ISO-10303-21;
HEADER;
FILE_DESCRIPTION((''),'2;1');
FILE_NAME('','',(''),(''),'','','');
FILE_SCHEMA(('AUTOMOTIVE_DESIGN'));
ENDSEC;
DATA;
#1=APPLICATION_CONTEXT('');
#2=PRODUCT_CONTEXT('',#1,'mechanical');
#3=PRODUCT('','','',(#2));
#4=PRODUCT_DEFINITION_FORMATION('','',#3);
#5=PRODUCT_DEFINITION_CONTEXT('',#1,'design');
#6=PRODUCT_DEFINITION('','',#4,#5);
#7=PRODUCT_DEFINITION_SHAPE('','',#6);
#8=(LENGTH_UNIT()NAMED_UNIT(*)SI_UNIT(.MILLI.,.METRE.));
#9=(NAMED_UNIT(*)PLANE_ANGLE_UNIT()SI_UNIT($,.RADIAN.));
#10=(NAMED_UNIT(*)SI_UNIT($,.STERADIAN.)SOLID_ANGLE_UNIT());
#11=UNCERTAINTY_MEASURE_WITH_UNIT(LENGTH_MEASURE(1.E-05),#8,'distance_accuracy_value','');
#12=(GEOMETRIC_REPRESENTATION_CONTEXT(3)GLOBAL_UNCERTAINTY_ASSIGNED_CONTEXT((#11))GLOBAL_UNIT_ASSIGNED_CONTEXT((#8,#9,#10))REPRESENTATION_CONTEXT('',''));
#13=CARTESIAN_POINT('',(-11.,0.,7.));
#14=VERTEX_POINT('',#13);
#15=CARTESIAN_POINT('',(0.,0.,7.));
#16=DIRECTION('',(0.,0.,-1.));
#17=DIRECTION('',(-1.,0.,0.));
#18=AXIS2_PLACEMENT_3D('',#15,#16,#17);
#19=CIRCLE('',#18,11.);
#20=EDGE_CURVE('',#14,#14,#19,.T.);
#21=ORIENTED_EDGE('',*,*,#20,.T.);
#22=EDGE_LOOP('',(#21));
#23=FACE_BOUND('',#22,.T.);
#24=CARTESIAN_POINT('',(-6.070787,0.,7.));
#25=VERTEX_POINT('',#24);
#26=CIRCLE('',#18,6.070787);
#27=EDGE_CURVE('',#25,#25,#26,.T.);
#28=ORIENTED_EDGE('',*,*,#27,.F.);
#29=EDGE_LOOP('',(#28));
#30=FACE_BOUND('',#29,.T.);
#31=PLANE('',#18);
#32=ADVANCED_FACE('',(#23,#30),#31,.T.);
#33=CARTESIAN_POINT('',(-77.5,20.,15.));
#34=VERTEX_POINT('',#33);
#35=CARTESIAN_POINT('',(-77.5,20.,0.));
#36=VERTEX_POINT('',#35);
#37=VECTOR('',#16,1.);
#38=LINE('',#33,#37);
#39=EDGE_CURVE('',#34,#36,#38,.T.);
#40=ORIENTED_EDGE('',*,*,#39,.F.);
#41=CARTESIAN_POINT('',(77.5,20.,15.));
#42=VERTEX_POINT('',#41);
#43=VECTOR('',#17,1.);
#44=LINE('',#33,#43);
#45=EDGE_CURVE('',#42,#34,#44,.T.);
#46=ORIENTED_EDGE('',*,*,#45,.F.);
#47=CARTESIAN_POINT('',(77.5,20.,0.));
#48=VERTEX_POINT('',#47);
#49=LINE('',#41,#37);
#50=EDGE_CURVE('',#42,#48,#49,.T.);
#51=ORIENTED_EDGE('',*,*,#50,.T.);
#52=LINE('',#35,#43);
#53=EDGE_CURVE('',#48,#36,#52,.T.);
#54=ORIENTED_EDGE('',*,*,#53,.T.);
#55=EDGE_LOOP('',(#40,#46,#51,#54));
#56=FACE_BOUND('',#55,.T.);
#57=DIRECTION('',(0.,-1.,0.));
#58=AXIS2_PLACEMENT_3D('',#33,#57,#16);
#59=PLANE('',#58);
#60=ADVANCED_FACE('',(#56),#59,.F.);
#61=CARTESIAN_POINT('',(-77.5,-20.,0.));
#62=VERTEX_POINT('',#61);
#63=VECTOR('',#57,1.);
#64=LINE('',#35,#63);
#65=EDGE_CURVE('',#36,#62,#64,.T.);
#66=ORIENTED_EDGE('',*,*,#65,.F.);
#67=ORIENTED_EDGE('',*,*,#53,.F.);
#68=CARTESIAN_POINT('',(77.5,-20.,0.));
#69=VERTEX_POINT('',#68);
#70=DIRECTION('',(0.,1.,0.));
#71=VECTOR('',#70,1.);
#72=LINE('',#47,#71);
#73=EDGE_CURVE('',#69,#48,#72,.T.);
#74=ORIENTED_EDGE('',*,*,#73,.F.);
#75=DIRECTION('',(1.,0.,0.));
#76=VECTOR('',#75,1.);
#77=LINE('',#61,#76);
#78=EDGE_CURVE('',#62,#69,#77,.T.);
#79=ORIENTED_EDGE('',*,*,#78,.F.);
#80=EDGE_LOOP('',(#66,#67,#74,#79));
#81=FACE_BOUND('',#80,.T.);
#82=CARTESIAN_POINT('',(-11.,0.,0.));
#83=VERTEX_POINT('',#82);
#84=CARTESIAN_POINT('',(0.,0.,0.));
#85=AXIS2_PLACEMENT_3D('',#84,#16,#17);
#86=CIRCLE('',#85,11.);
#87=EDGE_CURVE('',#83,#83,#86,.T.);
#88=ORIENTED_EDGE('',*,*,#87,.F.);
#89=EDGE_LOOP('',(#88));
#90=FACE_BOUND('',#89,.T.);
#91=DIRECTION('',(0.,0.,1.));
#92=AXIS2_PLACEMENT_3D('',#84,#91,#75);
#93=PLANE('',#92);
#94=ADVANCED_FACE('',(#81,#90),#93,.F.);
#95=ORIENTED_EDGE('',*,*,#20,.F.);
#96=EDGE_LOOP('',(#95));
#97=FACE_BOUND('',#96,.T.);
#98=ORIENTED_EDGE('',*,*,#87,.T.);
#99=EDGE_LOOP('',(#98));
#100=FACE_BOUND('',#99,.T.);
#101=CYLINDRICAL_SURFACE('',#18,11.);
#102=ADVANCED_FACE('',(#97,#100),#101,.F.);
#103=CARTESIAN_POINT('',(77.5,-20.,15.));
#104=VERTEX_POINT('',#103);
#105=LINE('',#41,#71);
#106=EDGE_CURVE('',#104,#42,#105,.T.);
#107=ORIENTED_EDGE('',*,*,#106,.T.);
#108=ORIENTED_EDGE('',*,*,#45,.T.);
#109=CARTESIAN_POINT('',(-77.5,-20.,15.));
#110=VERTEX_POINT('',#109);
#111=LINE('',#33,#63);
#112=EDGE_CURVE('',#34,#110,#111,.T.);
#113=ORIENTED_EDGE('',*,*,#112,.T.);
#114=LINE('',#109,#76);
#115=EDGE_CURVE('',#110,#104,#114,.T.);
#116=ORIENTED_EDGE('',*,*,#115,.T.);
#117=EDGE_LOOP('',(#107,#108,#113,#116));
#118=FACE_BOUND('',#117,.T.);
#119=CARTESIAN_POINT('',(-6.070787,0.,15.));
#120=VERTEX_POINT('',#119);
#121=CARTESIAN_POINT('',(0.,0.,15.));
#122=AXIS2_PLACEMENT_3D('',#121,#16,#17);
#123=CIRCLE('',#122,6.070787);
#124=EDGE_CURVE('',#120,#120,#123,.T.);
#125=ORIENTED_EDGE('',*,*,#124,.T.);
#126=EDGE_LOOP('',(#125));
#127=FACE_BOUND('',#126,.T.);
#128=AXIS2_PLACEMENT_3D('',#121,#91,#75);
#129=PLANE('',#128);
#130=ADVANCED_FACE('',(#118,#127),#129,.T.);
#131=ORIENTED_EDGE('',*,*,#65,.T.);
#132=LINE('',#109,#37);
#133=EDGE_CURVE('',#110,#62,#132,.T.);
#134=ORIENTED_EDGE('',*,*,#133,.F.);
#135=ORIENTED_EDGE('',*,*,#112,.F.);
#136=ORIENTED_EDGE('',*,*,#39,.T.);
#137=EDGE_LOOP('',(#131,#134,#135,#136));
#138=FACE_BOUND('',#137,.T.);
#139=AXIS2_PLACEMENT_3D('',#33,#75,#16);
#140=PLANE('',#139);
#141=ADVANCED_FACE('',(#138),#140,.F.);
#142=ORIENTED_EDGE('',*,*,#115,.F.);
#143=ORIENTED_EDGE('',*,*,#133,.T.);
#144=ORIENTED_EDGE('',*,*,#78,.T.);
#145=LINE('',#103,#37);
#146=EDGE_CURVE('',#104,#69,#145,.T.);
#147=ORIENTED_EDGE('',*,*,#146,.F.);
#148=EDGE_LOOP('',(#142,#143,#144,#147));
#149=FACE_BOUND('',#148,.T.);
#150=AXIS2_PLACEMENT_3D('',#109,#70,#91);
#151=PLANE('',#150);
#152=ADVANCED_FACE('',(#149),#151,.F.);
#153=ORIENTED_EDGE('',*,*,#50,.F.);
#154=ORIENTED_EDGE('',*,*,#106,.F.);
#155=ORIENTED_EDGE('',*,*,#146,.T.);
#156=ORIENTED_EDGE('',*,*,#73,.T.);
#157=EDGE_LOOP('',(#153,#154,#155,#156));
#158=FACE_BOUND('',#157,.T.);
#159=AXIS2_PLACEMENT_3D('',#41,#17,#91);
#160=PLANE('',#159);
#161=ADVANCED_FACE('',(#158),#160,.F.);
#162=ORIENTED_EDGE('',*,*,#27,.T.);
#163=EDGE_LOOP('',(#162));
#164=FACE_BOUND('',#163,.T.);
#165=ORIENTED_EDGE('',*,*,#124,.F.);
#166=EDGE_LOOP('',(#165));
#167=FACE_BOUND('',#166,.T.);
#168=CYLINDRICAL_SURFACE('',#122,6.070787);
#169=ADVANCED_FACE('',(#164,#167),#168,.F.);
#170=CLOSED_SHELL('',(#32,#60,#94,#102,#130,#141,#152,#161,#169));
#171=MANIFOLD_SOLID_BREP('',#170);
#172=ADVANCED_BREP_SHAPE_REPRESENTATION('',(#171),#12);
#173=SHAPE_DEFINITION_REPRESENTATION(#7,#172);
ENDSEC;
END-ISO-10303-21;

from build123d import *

# Parameters (mm, degrees)
SKETCH1_W           = 155
SKETCH1_H           = 40
BOSS_EXTRUDE1_DEPTH = 15
SKETCH2_R           = 11
CUT_EXTRUDE1_DEPTH  = 7
CUT_EXTRUDE2_START  = -15
SKETCH3_R           = 6.070786999
CUT_EXTRUDE2_DEPTH  = 8


with BuildPart() as part:
    # Sketch1 → Boss-Extrude1 (new body)
    with BuildSketch(Plane.XY):
        Rectangle(SKETCH1_W, SKETCH1_H)
    extrude(amount=BOSS_EXTRUDE1_DEPTH)

    # Sketch2 → Cut-Extrude1 (cut)
    with BuildSketch(Plane(origin=(0, 0, 0), x_dir=(-1, 0, 0), z_dir=(0, 0, -1))):
        Circle(SKETCH2_R)
    extrude(amount=-CUT_EXTRUDE1_DEPTH, mode=Mode.SUBTRACT)

    # Sketch3 → Cut-Extrude2 (cut)
    with BuildSketch(Plane(origin=(0, 0, 0), x_dir=(-1, 0, 0), z_dir=(0, 0, -1)).offset(CUT_EXTRUDE2_START)):
        Circle(SKETCH3_R)
    extrude(amount=CUT_EXTRUDE2_DEPTH, mode=Mode.SUBTRACT)


solid = part.part
